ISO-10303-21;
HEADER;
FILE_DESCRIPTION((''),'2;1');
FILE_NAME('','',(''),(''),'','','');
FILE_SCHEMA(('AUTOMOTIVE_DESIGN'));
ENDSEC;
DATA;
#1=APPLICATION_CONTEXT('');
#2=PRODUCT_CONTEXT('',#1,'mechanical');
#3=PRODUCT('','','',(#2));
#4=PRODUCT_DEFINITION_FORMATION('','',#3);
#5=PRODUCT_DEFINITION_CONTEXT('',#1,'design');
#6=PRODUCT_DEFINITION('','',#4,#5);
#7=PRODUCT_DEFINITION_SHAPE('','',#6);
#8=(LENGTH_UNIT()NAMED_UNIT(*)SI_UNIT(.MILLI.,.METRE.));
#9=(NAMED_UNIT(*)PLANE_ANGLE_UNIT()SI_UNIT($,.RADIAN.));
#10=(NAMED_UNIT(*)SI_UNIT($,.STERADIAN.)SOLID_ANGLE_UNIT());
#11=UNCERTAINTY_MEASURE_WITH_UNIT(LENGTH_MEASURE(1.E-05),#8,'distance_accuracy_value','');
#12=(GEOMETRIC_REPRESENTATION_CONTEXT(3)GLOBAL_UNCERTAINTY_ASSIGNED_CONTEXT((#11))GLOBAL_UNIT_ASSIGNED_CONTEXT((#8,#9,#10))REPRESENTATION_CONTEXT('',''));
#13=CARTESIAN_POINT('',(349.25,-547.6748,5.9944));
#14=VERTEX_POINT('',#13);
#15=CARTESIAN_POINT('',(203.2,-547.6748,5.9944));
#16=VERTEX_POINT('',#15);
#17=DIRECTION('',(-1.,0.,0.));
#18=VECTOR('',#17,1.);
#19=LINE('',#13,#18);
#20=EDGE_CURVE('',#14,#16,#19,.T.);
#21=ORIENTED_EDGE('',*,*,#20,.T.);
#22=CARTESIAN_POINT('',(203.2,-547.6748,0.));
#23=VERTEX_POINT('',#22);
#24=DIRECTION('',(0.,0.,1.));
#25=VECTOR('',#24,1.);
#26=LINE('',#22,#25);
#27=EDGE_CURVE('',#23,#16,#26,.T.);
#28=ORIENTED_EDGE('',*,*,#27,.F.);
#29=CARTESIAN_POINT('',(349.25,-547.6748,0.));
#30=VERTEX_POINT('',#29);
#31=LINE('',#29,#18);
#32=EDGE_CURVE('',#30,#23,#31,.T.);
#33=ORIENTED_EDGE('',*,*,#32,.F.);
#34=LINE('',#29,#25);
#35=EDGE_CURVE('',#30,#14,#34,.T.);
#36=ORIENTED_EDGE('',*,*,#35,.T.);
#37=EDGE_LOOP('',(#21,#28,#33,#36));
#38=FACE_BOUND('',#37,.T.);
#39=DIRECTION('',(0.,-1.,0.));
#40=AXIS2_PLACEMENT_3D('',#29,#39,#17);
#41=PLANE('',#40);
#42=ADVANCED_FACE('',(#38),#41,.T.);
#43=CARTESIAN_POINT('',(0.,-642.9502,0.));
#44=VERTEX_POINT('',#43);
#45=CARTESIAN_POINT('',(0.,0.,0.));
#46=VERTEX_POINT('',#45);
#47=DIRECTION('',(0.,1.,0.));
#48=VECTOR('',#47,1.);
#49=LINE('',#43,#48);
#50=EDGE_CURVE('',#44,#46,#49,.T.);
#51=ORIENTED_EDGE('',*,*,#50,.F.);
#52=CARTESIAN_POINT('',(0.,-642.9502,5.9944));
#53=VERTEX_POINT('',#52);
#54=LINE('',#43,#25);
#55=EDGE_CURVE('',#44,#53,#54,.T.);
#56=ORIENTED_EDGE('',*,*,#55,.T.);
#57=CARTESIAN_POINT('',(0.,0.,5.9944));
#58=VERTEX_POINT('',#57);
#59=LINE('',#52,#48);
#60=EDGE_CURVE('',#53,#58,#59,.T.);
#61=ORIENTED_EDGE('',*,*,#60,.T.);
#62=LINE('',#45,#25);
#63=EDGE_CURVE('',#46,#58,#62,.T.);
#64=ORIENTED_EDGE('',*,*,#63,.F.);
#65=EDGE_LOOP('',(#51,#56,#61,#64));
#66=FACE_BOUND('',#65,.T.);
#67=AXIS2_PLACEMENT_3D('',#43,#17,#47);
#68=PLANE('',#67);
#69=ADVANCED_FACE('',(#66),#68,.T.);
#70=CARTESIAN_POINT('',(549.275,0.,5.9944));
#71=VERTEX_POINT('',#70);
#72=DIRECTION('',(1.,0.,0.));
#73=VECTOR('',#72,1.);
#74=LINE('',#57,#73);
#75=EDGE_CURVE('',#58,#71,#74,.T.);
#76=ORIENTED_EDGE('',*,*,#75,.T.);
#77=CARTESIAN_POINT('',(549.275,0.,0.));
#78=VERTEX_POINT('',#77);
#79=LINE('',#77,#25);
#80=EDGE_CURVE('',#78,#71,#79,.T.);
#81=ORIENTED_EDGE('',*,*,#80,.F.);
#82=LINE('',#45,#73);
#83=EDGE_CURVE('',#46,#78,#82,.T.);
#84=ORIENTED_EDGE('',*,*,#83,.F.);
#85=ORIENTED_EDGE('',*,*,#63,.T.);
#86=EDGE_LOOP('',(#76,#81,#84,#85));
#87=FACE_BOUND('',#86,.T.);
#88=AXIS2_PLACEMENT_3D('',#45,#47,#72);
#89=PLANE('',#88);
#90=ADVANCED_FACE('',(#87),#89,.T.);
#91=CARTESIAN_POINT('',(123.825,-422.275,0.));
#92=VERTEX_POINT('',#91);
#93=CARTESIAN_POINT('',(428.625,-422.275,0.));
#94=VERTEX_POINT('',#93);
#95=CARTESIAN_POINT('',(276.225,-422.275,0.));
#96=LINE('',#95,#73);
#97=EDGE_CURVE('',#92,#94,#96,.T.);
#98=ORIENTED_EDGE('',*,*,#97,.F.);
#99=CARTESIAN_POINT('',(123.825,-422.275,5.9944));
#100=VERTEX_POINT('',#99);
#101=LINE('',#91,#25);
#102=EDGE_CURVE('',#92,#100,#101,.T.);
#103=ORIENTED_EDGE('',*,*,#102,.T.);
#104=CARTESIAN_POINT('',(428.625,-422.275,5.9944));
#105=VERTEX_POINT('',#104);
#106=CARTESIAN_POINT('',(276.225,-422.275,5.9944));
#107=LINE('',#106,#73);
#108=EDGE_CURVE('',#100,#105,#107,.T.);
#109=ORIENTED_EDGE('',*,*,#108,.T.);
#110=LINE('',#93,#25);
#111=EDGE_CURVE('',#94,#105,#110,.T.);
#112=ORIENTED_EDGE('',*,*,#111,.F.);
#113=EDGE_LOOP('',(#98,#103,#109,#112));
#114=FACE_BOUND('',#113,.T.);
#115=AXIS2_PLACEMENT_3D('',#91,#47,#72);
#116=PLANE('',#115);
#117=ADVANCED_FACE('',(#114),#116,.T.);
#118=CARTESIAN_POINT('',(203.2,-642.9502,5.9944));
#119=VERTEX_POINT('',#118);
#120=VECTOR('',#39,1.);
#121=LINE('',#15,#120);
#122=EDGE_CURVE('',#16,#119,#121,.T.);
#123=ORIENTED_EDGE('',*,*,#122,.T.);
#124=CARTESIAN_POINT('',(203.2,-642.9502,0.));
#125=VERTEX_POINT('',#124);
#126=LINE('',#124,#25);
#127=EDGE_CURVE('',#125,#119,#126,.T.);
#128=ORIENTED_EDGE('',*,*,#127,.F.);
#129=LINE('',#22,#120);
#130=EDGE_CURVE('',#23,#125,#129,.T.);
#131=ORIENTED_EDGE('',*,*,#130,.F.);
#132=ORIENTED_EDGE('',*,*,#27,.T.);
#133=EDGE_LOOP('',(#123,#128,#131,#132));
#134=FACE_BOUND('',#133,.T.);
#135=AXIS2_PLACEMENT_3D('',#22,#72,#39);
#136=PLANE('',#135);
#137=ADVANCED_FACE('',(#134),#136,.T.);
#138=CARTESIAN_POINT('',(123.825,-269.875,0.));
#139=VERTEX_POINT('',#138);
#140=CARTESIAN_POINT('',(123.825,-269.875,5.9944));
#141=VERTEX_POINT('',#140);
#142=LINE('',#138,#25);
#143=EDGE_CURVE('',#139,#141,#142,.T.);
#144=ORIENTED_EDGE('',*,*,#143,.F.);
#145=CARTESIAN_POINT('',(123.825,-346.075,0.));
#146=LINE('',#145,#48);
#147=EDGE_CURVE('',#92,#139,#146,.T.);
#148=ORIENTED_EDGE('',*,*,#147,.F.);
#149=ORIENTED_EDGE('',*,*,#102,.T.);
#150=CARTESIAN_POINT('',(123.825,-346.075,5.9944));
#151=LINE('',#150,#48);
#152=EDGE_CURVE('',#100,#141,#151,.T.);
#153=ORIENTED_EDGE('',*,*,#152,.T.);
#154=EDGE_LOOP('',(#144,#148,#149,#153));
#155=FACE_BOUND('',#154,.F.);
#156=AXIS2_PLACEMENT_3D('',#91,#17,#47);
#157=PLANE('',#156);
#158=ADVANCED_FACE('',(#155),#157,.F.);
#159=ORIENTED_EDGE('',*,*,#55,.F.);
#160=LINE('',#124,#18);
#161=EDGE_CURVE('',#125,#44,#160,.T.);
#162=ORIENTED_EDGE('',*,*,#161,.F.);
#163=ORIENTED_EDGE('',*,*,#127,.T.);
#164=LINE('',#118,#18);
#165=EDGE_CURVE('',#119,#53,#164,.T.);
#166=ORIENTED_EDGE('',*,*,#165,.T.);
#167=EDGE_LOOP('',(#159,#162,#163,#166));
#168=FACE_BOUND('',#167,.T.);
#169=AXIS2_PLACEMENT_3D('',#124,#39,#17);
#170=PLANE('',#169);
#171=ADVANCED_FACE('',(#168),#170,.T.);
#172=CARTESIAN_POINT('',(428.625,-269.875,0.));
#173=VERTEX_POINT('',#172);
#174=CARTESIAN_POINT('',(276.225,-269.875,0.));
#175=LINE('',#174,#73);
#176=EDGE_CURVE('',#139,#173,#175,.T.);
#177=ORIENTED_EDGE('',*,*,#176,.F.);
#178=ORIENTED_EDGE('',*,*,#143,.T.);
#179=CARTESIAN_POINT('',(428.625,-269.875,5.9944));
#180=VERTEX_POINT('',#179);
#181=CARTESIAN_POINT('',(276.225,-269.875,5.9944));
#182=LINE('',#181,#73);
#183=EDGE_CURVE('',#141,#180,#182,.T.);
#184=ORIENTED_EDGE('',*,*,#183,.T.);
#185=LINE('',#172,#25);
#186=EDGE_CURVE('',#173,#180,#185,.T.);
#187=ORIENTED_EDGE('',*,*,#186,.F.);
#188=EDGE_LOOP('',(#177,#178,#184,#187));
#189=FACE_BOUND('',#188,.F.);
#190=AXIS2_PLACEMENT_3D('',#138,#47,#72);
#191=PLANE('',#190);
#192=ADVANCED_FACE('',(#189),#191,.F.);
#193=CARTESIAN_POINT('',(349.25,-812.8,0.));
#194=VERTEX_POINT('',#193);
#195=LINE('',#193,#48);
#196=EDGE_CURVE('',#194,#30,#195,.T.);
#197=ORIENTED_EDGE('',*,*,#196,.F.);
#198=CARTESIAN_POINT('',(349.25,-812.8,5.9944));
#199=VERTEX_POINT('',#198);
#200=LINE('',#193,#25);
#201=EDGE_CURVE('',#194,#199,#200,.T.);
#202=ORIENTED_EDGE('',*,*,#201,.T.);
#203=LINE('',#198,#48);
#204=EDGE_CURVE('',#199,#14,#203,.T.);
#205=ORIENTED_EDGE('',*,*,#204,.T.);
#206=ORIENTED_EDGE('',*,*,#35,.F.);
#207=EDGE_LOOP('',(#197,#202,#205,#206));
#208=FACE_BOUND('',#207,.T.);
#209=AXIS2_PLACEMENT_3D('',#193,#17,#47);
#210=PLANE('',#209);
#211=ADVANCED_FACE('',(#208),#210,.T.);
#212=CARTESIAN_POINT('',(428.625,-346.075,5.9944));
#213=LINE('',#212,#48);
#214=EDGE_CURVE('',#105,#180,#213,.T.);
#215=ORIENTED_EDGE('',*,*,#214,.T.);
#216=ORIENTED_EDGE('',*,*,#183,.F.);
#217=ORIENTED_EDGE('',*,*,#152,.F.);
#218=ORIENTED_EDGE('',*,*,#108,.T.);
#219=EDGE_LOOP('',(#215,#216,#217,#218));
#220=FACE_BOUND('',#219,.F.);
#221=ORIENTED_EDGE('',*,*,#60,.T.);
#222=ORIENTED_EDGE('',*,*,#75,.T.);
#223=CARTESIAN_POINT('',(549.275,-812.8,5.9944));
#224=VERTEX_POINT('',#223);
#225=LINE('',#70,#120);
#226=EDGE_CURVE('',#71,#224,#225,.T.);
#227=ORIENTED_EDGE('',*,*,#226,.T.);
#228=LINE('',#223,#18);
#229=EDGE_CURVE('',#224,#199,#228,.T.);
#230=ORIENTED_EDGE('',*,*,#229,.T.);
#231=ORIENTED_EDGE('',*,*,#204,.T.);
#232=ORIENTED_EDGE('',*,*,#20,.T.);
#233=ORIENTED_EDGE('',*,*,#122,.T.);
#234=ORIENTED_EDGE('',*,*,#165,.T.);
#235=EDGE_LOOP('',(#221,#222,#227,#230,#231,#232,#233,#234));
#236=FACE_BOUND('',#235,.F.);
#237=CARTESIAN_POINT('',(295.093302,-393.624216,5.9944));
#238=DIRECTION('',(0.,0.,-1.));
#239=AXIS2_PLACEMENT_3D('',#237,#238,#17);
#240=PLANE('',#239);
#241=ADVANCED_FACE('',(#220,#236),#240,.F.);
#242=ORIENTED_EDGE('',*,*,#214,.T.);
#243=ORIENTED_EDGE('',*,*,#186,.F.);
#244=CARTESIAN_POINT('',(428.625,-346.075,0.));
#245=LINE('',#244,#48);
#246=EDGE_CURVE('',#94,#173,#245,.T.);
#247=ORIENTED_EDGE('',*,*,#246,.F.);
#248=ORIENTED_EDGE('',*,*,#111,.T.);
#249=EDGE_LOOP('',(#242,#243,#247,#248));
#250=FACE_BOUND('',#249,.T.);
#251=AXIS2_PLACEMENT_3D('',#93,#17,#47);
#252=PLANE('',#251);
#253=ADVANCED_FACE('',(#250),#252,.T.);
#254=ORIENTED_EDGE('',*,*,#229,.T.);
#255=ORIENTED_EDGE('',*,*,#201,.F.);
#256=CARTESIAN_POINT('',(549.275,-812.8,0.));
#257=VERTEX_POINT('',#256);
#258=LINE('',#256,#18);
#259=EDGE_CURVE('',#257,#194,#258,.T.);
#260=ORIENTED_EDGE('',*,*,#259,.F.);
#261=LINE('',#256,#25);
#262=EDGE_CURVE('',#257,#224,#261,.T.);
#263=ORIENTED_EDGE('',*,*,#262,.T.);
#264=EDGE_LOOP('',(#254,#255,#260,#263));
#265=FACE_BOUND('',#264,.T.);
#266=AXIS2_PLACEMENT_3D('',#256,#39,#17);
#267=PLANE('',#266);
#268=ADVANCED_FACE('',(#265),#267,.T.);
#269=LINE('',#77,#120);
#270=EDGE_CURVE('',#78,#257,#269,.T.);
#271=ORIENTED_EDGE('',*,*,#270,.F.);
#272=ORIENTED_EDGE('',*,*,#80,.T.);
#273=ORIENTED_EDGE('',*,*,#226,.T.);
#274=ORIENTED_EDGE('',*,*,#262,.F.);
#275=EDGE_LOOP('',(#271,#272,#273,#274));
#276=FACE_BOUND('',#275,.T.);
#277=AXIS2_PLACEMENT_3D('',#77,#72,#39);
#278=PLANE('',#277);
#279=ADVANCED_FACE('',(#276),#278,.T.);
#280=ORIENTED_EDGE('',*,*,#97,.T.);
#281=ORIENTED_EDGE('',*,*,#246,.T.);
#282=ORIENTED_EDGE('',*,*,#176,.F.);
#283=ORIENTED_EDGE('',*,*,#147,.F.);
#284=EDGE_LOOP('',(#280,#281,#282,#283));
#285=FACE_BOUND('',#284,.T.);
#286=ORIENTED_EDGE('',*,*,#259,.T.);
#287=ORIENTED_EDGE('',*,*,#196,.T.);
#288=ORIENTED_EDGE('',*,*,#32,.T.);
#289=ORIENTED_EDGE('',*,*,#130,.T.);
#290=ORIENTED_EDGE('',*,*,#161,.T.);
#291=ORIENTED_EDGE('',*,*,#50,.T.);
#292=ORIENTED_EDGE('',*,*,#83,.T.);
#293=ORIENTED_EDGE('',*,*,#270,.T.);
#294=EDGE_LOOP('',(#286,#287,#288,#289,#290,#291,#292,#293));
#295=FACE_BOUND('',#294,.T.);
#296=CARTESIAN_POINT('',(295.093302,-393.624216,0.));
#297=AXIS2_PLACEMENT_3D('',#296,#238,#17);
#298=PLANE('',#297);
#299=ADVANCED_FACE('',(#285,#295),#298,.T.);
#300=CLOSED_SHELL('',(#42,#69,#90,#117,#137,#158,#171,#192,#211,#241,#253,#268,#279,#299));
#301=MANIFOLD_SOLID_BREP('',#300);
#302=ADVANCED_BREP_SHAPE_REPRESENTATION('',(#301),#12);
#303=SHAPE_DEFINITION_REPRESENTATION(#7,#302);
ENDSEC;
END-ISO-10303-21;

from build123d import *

# Parameters (mm, degrees)
SKETCH_W      = 304.8
SKETCH_H      = 152.4
EXTRUDE_DEPTH = 5.9944


with BuildPart() as part:
    # Sketch → Extrude (new body)
    with BuildSketch(Plane.XY):
        Polygon((0, 0), (549.275, 0), (549.275, -812.8), (349.25, -812.8), (349.25, -547.6748), (203.2, -547.6748), (203.2, -642.9502), (0, -642.9502), align=None)
        with Locations((276.225, -346.075)):
            Rectangle(SKETCH_W, SKETCH_H, mode=Mode.SUBTRACT)
    extrude(amount=EXTRUDE_DEPTH)


solid = part.part
